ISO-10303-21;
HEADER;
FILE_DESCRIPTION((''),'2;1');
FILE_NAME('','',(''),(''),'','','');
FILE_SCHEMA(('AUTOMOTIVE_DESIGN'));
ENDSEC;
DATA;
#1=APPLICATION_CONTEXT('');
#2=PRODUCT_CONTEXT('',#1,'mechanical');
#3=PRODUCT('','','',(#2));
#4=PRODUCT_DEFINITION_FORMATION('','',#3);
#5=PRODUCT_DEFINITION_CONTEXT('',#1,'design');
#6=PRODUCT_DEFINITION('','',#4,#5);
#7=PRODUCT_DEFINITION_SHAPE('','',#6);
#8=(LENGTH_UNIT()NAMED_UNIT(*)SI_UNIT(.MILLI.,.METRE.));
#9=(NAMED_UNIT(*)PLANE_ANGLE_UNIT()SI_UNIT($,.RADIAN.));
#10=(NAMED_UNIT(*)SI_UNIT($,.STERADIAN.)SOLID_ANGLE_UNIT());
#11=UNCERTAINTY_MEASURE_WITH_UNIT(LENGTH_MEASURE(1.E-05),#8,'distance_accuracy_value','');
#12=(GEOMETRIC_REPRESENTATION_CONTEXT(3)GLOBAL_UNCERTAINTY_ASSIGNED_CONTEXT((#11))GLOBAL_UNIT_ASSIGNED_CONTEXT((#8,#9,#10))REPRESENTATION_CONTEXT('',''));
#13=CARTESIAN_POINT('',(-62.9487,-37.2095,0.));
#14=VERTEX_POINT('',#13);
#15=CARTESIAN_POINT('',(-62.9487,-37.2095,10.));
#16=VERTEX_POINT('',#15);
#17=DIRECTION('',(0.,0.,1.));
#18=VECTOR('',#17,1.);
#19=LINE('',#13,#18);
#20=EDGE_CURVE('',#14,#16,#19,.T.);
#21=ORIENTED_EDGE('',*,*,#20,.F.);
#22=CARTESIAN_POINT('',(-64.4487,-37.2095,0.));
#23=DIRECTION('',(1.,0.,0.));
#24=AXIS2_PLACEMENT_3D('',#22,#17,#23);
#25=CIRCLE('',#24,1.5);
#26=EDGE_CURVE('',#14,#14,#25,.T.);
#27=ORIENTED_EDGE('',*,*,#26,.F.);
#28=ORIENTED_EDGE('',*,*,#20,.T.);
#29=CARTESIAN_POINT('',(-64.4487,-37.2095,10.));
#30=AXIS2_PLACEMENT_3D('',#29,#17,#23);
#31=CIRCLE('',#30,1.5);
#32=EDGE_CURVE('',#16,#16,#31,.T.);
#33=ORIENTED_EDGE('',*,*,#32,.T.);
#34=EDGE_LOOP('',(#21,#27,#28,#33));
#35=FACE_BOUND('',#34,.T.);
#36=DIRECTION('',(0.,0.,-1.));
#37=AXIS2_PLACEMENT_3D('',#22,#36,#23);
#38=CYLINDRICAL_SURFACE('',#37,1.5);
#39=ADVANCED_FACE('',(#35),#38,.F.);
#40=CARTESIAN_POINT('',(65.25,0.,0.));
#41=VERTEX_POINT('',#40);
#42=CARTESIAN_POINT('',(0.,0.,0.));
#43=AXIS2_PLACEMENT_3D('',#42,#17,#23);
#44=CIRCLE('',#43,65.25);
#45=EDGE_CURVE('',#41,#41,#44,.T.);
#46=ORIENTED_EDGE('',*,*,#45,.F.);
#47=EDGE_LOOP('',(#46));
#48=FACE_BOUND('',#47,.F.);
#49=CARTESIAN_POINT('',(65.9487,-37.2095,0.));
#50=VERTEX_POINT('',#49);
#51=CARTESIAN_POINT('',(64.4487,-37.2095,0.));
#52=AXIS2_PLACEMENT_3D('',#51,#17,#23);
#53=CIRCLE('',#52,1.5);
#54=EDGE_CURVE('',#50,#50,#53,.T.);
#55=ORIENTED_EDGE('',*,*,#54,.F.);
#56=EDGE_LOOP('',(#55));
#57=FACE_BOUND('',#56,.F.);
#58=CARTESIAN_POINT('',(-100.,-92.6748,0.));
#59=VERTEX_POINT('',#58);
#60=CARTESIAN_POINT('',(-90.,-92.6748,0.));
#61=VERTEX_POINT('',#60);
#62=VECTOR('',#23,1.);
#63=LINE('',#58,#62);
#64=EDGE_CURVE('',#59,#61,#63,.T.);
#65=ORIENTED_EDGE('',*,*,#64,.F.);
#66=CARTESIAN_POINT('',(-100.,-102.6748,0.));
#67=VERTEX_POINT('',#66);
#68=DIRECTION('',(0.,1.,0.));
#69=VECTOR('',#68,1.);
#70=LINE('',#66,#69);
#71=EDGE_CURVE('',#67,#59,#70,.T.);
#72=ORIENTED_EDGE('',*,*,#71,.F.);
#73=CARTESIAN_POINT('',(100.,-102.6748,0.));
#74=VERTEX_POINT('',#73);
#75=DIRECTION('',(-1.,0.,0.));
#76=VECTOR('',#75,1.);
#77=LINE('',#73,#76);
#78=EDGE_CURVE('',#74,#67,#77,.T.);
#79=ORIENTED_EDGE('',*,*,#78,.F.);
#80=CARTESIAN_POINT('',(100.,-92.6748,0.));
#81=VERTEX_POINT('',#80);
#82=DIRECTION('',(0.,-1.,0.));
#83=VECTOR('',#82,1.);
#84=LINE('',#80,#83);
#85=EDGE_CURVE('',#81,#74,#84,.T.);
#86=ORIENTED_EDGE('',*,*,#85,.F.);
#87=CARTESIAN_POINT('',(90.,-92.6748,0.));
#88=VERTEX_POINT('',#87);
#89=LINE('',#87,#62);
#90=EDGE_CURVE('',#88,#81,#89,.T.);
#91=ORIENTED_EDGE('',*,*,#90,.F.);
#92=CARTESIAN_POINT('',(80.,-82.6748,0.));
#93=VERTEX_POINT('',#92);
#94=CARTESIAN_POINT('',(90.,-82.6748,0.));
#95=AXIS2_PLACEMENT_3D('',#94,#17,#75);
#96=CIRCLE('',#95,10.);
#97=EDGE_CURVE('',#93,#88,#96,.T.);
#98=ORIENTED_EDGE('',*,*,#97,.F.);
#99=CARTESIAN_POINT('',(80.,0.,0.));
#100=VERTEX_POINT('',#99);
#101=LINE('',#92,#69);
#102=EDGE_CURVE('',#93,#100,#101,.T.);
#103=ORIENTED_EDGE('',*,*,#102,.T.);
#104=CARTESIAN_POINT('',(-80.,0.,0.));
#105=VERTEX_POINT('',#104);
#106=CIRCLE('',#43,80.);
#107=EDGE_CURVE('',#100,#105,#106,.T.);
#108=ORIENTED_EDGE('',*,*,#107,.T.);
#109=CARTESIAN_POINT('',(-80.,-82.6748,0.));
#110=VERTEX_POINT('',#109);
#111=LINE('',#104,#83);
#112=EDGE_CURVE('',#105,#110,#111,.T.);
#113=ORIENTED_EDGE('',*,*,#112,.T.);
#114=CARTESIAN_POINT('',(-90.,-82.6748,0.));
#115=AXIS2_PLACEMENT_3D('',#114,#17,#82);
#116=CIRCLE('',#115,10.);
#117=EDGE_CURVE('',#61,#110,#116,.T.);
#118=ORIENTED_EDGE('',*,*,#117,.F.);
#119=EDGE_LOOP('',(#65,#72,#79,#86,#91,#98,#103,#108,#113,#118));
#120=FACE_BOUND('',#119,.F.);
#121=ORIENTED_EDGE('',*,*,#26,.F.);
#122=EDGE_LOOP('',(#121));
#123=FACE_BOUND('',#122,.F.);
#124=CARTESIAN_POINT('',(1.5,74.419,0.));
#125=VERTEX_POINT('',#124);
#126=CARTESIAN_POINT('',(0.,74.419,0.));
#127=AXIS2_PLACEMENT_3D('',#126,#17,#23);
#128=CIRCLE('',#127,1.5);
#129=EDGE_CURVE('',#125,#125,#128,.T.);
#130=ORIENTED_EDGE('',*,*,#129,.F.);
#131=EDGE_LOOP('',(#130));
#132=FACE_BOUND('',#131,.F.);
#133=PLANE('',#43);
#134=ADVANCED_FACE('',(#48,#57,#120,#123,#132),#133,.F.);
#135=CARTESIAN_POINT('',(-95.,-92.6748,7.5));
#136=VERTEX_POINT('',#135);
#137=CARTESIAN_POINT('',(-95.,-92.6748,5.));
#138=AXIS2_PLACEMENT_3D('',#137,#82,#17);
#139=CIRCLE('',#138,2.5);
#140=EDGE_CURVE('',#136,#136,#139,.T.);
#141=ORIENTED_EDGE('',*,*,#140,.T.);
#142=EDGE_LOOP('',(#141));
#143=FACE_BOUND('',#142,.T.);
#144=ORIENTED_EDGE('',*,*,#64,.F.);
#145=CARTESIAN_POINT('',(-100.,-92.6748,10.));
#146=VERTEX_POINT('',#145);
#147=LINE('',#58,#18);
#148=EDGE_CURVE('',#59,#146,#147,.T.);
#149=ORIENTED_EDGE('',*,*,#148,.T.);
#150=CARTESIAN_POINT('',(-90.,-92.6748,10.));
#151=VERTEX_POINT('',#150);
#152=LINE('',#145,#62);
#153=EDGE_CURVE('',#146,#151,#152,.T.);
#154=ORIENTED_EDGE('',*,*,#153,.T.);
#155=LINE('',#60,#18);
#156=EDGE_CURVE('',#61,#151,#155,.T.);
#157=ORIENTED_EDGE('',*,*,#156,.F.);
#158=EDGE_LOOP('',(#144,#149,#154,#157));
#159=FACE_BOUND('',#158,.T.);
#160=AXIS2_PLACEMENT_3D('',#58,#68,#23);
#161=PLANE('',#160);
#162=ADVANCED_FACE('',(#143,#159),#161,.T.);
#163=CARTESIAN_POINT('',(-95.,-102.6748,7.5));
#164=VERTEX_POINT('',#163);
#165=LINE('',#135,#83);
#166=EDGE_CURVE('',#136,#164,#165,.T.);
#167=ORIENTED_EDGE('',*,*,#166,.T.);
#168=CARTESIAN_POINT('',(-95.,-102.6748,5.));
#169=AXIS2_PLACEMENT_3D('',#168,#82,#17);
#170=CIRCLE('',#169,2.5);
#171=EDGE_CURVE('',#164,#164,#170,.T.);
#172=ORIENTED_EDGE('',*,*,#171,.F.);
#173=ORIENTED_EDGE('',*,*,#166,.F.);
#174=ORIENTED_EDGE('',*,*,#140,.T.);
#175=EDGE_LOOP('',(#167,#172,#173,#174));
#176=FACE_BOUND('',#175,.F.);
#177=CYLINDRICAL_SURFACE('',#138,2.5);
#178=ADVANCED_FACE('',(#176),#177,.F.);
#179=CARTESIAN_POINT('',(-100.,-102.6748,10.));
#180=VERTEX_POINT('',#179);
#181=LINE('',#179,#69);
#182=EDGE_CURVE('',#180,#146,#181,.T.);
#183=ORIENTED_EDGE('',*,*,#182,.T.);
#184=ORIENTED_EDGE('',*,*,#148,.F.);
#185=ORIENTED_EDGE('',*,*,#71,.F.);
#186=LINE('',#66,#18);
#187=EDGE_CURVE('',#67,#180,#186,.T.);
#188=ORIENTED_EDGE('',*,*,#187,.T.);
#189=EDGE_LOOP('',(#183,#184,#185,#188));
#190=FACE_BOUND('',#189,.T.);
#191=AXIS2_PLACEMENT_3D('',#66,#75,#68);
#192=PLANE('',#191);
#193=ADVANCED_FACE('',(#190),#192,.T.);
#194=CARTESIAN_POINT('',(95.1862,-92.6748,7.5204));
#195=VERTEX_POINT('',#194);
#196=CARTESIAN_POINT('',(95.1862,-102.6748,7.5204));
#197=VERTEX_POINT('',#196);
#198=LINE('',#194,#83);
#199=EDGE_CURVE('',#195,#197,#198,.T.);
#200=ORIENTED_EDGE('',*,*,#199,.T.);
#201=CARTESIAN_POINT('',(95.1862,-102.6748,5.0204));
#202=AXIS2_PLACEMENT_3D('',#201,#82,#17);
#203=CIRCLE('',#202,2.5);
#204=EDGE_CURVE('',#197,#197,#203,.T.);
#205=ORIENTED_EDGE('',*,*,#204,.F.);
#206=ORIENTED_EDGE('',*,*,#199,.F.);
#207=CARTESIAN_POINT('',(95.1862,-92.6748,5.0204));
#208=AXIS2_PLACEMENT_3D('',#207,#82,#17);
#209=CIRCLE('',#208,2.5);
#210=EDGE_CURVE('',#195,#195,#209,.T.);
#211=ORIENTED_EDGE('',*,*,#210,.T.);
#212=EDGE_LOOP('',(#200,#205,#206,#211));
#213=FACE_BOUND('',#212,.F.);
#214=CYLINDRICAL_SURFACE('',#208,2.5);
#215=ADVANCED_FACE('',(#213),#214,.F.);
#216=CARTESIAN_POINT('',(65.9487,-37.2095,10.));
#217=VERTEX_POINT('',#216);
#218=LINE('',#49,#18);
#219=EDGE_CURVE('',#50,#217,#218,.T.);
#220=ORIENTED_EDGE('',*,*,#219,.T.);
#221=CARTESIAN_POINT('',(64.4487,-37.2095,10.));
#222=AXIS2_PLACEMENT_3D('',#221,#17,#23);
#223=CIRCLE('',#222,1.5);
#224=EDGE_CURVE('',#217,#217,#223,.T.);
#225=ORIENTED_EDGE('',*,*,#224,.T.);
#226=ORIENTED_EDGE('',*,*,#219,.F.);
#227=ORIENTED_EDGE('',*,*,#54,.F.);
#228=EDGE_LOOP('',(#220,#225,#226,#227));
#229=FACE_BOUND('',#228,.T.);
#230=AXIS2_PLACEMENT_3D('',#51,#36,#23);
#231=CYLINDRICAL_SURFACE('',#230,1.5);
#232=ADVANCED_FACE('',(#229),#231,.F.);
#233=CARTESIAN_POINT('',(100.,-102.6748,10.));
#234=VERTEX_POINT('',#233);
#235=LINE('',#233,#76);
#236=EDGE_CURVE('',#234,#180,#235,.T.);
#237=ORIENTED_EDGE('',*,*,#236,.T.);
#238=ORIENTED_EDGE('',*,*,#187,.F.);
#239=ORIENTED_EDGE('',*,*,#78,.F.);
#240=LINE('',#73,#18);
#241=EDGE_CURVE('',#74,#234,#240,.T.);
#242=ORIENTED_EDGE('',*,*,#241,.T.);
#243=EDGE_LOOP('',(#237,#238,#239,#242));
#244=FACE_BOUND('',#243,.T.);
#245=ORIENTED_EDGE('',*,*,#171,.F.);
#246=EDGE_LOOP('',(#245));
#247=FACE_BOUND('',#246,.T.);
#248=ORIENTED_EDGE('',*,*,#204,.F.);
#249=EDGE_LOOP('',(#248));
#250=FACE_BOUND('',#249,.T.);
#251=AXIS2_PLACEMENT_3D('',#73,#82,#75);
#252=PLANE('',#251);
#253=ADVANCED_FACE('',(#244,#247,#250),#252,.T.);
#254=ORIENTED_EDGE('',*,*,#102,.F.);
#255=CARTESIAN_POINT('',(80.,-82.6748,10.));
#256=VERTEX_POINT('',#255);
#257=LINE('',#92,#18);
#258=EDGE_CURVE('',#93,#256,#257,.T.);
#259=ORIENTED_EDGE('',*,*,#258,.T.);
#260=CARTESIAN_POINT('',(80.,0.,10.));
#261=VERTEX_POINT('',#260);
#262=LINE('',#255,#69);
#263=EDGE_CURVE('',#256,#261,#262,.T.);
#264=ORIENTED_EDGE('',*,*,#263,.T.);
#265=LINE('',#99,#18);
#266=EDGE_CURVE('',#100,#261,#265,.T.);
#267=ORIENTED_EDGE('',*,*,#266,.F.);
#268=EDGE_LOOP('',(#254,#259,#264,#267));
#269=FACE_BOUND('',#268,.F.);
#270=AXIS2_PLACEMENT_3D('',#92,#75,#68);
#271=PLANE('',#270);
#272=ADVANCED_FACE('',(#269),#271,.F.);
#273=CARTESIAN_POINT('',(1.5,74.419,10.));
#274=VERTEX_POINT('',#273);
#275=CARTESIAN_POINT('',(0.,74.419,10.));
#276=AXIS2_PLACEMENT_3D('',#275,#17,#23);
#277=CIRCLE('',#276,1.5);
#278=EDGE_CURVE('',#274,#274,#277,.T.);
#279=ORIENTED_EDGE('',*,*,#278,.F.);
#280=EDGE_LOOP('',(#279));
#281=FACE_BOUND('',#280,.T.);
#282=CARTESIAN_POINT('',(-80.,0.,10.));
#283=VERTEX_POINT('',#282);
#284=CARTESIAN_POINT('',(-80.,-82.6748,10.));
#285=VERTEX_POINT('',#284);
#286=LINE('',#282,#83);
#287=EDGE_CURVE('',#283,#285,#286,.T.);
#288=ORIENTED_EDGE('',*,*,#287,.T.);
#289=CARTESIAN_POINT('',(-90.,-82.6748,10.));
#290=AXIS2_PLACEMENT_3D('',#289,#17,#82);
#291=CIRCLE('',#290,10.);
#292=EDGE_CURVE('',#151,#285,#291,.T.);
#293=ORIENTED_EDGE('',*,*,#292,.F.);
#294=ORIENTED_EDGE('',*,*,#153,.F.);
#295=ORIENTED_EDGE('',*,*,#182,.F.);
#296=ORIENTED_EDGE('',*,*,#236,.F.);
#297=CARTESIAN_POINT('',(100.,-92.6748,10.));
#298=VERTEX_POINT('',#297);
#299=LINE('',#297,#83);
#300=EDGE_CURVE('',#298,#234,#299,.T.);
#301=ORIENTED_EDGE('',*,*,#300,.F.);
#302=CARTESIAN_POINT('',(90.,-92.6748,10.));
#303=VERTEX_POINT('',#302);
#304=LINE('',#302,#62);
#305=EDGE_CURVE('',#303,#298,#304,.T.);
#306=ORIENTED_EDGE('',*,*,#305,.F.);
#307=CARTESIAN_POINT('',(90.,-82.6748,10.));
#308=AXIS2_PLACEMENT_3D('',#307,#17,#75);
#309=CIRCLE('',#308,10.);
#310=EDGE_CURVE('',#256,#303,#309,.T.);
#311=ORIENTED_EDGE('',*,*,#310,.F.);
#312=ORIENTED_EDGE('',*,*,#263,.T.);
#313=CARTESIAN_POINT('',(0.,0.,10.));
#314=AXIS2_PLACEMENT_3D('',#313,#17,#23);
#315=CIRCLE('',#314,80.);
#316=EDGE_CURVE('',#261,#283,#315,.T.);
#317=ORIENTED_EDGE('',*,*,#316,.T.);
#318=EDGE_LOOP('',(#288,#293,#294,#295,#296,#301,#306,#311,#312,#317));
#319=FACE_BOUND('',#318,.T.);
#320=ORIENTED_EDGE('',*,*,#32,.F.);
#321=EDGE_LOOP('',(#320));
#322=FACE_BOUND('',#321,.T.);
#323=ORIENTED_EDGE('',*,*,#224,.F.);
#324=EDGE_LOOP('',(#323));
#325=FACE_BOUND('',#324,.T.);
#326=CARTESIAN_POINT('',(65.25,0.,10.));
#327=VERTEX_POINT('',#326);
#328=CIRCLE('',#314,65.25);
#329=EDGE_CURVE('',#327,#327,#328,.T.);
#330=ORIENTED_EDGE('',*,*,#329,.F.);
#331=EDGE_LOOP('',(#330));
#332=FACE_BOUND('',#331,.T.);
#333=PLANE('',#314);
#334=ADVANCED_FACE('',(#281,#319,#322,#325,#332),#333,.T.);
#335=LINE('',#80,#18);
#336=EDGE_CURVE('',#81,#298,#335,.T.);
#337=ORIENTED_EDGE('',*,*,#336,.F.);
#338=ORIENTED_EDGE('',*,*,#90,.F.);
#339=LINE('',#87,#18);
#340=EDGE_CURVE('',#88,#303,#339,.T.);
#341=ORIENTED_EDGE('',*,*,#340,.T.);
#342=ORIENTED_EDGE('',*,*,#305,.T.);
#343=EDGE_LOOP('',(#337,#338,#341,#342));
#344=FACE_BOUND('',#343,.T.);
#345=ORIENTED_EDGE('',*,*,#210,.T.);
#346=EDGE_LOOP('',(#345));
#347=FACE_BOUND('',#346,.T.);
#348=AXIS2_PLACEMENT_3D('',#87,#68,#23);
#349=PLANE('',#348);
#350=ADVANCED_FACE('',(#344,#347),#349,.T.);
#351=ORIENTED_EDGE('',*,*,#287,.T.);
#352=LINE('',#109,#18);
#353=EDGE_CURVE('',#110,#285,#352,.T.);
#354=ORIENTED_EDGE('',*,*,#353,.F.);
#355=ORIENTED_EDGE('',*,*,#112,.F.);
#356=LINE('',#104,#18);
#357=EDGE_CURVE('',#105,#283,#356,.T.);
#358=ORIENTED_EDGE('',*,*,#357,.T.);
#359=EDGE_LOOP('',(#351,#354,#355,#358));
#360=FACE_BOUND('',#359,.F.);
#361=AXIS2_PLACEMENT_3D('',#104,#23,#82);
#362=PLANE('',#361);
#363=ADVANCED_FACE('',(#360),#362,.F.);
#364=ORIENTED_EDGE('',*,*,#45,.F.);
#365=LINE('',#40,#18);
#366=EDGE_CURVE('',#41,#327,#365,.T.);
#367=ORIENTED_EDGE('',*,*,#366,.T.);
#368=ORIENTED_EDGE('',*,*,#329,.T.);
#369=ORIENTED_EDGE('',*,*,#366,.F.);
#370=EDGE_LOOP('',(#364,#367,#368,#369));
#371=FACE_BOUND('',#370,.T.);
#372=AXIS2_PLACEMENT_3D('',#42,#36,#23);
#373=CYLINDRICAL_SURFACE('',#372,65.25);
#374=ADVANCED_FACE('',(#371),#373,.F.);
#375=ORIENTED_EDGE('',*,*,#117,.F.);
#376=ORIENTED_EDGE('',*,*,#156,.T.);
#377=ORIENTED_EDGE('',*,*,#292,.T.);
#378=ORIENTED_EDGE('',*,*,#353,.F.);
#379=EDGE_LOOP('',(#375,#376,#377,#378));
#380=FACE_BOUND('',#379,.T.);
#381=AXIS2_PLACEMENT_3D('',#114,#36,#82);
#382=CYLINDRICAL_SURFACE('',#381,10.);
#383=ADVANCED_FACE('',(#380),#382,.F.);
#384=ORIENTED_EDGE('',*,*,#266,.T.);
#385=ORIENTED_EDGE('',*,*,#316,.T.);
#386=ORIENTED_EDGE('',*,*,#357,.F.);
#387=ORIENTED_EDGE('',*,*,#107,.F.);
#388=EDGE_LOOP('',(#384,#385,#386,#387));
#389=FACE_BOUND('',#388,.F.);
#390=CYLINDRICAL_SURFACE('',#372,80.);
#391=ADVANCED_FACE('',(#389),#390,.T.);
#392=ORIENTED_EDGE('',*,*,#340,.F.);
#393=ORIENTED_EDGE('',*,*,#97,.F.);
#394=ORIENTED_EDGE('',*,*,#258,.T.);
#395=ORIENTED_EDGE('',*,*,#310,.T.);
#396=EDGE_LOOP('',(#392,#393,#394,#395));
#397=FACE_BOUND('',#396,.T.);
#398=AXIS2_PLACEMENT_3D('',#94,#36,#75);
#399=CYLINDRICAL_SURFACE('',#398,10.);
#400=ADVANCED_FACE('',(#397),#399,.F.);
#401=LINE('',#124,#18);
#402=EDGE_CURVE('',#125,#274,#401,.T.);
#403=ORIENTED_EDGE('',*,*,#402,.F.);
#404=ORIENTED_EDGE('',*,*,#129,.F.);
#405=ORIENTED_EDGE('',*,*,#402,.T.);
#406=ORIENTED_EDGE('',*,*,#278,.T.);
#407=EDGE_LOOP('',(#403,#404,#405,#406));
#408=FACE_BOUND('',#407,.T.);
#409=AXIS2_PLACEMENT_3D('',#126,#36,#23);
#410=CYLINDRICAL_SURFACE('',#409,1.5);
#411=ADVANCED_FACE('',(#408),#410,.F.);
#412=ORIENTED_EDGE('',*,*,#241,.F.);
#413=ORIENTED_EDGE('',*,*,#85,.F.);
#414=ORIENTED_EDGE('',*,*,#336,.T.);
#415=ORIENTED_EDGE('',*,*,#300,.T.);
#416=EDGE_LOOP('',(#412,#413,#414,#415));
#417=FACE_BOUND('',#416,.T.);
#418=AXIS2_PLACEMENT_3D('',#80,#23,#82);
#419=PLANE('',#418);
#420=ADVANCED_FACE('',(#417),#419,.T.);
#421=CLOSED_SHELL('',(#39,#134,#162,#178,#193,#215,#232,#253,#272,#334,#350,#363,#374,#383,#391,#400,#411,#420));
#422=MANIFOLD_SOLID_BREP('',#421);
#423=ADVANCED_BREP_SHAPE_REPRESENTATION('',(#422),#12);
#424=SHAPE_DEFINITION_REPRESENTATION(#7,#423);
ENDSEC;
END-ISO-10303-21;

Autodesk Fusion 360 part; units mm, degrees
sketch "Sketch1" plane through (0, 0, 0) normal (0, 0, 1) x (1, 0, 0)
  circle A0 centre (0, 0) radius 65.25
  circle A1 centre (0, 0) radius 74.419 construction
  circle A2 centre (0, 74.419) radius 1.5
  circle A3 centre (-64.4487, -37.2095) radius 1.5
  circle A4 centre (64.4487, -37.2095) radius 1.5
  circle A5 centre (0, 0) radius 80
  line L0 (-80, 0) -> (80, 0) construction
  line L1 (-80, 0) -> (-80, -82.6748)
  line L2 (80, -82.6748) -> (80, 0)
  line L3 (-80, -92.6748) -> (-100, -92.6748) construction
  line L4 (-100, -92.6748) -> (-90, -92.6748)
  line L5 (100, -92.6748) -> (100, -102.6748)
  line L6 (100, -102.6748) -> (-100, -102.6748)
  line L7 (-100, -102.6748) -> (-100, -92.6748)
  arc A6 (-90, -92.6748) -> (-80, -82.6748) centre (-90, -82.6748) ccw
  line L8 (90, -92.6748) -> (100, -92.6748)
  arc A7 (80, -82.6748) -> (90, -92.6748) centre (90, -82.6748) ccw
  dimension "d1" = 130.5
  dimension "d4" = 148.838
  dimension "d5" = 3
  dimension "d7" = 360
  dimension "d8" = 160
  dimension "d10" = 200
  dimension "d11" = 10
  dimension "d12" = 10
  dimension "d13" = 10
extrude "Extrude1" add sketch "Sketch1" along normal blind 10
hole "Hole1" at (-95, -92.6748, 5) direction (0, -1, 0) diameter 5 depth 10 tip angle 118
hole "Hole2" at (95.1862, -92.6748, 5.0204) direction (0, -1, 0) diameter 5 depth 10 tip angle 118
equation "d1 = GearboxDia + Tollerance"
equation "GearboxDia = 130 mm"
equation "Tollerance = 0.5 mm"
equation "d4 = ( 74.419 * 2 ) * 1 mm"
equation "d8 = GearboxDia + 30 mm"
equation "d10 = d8 + 40 mm"
